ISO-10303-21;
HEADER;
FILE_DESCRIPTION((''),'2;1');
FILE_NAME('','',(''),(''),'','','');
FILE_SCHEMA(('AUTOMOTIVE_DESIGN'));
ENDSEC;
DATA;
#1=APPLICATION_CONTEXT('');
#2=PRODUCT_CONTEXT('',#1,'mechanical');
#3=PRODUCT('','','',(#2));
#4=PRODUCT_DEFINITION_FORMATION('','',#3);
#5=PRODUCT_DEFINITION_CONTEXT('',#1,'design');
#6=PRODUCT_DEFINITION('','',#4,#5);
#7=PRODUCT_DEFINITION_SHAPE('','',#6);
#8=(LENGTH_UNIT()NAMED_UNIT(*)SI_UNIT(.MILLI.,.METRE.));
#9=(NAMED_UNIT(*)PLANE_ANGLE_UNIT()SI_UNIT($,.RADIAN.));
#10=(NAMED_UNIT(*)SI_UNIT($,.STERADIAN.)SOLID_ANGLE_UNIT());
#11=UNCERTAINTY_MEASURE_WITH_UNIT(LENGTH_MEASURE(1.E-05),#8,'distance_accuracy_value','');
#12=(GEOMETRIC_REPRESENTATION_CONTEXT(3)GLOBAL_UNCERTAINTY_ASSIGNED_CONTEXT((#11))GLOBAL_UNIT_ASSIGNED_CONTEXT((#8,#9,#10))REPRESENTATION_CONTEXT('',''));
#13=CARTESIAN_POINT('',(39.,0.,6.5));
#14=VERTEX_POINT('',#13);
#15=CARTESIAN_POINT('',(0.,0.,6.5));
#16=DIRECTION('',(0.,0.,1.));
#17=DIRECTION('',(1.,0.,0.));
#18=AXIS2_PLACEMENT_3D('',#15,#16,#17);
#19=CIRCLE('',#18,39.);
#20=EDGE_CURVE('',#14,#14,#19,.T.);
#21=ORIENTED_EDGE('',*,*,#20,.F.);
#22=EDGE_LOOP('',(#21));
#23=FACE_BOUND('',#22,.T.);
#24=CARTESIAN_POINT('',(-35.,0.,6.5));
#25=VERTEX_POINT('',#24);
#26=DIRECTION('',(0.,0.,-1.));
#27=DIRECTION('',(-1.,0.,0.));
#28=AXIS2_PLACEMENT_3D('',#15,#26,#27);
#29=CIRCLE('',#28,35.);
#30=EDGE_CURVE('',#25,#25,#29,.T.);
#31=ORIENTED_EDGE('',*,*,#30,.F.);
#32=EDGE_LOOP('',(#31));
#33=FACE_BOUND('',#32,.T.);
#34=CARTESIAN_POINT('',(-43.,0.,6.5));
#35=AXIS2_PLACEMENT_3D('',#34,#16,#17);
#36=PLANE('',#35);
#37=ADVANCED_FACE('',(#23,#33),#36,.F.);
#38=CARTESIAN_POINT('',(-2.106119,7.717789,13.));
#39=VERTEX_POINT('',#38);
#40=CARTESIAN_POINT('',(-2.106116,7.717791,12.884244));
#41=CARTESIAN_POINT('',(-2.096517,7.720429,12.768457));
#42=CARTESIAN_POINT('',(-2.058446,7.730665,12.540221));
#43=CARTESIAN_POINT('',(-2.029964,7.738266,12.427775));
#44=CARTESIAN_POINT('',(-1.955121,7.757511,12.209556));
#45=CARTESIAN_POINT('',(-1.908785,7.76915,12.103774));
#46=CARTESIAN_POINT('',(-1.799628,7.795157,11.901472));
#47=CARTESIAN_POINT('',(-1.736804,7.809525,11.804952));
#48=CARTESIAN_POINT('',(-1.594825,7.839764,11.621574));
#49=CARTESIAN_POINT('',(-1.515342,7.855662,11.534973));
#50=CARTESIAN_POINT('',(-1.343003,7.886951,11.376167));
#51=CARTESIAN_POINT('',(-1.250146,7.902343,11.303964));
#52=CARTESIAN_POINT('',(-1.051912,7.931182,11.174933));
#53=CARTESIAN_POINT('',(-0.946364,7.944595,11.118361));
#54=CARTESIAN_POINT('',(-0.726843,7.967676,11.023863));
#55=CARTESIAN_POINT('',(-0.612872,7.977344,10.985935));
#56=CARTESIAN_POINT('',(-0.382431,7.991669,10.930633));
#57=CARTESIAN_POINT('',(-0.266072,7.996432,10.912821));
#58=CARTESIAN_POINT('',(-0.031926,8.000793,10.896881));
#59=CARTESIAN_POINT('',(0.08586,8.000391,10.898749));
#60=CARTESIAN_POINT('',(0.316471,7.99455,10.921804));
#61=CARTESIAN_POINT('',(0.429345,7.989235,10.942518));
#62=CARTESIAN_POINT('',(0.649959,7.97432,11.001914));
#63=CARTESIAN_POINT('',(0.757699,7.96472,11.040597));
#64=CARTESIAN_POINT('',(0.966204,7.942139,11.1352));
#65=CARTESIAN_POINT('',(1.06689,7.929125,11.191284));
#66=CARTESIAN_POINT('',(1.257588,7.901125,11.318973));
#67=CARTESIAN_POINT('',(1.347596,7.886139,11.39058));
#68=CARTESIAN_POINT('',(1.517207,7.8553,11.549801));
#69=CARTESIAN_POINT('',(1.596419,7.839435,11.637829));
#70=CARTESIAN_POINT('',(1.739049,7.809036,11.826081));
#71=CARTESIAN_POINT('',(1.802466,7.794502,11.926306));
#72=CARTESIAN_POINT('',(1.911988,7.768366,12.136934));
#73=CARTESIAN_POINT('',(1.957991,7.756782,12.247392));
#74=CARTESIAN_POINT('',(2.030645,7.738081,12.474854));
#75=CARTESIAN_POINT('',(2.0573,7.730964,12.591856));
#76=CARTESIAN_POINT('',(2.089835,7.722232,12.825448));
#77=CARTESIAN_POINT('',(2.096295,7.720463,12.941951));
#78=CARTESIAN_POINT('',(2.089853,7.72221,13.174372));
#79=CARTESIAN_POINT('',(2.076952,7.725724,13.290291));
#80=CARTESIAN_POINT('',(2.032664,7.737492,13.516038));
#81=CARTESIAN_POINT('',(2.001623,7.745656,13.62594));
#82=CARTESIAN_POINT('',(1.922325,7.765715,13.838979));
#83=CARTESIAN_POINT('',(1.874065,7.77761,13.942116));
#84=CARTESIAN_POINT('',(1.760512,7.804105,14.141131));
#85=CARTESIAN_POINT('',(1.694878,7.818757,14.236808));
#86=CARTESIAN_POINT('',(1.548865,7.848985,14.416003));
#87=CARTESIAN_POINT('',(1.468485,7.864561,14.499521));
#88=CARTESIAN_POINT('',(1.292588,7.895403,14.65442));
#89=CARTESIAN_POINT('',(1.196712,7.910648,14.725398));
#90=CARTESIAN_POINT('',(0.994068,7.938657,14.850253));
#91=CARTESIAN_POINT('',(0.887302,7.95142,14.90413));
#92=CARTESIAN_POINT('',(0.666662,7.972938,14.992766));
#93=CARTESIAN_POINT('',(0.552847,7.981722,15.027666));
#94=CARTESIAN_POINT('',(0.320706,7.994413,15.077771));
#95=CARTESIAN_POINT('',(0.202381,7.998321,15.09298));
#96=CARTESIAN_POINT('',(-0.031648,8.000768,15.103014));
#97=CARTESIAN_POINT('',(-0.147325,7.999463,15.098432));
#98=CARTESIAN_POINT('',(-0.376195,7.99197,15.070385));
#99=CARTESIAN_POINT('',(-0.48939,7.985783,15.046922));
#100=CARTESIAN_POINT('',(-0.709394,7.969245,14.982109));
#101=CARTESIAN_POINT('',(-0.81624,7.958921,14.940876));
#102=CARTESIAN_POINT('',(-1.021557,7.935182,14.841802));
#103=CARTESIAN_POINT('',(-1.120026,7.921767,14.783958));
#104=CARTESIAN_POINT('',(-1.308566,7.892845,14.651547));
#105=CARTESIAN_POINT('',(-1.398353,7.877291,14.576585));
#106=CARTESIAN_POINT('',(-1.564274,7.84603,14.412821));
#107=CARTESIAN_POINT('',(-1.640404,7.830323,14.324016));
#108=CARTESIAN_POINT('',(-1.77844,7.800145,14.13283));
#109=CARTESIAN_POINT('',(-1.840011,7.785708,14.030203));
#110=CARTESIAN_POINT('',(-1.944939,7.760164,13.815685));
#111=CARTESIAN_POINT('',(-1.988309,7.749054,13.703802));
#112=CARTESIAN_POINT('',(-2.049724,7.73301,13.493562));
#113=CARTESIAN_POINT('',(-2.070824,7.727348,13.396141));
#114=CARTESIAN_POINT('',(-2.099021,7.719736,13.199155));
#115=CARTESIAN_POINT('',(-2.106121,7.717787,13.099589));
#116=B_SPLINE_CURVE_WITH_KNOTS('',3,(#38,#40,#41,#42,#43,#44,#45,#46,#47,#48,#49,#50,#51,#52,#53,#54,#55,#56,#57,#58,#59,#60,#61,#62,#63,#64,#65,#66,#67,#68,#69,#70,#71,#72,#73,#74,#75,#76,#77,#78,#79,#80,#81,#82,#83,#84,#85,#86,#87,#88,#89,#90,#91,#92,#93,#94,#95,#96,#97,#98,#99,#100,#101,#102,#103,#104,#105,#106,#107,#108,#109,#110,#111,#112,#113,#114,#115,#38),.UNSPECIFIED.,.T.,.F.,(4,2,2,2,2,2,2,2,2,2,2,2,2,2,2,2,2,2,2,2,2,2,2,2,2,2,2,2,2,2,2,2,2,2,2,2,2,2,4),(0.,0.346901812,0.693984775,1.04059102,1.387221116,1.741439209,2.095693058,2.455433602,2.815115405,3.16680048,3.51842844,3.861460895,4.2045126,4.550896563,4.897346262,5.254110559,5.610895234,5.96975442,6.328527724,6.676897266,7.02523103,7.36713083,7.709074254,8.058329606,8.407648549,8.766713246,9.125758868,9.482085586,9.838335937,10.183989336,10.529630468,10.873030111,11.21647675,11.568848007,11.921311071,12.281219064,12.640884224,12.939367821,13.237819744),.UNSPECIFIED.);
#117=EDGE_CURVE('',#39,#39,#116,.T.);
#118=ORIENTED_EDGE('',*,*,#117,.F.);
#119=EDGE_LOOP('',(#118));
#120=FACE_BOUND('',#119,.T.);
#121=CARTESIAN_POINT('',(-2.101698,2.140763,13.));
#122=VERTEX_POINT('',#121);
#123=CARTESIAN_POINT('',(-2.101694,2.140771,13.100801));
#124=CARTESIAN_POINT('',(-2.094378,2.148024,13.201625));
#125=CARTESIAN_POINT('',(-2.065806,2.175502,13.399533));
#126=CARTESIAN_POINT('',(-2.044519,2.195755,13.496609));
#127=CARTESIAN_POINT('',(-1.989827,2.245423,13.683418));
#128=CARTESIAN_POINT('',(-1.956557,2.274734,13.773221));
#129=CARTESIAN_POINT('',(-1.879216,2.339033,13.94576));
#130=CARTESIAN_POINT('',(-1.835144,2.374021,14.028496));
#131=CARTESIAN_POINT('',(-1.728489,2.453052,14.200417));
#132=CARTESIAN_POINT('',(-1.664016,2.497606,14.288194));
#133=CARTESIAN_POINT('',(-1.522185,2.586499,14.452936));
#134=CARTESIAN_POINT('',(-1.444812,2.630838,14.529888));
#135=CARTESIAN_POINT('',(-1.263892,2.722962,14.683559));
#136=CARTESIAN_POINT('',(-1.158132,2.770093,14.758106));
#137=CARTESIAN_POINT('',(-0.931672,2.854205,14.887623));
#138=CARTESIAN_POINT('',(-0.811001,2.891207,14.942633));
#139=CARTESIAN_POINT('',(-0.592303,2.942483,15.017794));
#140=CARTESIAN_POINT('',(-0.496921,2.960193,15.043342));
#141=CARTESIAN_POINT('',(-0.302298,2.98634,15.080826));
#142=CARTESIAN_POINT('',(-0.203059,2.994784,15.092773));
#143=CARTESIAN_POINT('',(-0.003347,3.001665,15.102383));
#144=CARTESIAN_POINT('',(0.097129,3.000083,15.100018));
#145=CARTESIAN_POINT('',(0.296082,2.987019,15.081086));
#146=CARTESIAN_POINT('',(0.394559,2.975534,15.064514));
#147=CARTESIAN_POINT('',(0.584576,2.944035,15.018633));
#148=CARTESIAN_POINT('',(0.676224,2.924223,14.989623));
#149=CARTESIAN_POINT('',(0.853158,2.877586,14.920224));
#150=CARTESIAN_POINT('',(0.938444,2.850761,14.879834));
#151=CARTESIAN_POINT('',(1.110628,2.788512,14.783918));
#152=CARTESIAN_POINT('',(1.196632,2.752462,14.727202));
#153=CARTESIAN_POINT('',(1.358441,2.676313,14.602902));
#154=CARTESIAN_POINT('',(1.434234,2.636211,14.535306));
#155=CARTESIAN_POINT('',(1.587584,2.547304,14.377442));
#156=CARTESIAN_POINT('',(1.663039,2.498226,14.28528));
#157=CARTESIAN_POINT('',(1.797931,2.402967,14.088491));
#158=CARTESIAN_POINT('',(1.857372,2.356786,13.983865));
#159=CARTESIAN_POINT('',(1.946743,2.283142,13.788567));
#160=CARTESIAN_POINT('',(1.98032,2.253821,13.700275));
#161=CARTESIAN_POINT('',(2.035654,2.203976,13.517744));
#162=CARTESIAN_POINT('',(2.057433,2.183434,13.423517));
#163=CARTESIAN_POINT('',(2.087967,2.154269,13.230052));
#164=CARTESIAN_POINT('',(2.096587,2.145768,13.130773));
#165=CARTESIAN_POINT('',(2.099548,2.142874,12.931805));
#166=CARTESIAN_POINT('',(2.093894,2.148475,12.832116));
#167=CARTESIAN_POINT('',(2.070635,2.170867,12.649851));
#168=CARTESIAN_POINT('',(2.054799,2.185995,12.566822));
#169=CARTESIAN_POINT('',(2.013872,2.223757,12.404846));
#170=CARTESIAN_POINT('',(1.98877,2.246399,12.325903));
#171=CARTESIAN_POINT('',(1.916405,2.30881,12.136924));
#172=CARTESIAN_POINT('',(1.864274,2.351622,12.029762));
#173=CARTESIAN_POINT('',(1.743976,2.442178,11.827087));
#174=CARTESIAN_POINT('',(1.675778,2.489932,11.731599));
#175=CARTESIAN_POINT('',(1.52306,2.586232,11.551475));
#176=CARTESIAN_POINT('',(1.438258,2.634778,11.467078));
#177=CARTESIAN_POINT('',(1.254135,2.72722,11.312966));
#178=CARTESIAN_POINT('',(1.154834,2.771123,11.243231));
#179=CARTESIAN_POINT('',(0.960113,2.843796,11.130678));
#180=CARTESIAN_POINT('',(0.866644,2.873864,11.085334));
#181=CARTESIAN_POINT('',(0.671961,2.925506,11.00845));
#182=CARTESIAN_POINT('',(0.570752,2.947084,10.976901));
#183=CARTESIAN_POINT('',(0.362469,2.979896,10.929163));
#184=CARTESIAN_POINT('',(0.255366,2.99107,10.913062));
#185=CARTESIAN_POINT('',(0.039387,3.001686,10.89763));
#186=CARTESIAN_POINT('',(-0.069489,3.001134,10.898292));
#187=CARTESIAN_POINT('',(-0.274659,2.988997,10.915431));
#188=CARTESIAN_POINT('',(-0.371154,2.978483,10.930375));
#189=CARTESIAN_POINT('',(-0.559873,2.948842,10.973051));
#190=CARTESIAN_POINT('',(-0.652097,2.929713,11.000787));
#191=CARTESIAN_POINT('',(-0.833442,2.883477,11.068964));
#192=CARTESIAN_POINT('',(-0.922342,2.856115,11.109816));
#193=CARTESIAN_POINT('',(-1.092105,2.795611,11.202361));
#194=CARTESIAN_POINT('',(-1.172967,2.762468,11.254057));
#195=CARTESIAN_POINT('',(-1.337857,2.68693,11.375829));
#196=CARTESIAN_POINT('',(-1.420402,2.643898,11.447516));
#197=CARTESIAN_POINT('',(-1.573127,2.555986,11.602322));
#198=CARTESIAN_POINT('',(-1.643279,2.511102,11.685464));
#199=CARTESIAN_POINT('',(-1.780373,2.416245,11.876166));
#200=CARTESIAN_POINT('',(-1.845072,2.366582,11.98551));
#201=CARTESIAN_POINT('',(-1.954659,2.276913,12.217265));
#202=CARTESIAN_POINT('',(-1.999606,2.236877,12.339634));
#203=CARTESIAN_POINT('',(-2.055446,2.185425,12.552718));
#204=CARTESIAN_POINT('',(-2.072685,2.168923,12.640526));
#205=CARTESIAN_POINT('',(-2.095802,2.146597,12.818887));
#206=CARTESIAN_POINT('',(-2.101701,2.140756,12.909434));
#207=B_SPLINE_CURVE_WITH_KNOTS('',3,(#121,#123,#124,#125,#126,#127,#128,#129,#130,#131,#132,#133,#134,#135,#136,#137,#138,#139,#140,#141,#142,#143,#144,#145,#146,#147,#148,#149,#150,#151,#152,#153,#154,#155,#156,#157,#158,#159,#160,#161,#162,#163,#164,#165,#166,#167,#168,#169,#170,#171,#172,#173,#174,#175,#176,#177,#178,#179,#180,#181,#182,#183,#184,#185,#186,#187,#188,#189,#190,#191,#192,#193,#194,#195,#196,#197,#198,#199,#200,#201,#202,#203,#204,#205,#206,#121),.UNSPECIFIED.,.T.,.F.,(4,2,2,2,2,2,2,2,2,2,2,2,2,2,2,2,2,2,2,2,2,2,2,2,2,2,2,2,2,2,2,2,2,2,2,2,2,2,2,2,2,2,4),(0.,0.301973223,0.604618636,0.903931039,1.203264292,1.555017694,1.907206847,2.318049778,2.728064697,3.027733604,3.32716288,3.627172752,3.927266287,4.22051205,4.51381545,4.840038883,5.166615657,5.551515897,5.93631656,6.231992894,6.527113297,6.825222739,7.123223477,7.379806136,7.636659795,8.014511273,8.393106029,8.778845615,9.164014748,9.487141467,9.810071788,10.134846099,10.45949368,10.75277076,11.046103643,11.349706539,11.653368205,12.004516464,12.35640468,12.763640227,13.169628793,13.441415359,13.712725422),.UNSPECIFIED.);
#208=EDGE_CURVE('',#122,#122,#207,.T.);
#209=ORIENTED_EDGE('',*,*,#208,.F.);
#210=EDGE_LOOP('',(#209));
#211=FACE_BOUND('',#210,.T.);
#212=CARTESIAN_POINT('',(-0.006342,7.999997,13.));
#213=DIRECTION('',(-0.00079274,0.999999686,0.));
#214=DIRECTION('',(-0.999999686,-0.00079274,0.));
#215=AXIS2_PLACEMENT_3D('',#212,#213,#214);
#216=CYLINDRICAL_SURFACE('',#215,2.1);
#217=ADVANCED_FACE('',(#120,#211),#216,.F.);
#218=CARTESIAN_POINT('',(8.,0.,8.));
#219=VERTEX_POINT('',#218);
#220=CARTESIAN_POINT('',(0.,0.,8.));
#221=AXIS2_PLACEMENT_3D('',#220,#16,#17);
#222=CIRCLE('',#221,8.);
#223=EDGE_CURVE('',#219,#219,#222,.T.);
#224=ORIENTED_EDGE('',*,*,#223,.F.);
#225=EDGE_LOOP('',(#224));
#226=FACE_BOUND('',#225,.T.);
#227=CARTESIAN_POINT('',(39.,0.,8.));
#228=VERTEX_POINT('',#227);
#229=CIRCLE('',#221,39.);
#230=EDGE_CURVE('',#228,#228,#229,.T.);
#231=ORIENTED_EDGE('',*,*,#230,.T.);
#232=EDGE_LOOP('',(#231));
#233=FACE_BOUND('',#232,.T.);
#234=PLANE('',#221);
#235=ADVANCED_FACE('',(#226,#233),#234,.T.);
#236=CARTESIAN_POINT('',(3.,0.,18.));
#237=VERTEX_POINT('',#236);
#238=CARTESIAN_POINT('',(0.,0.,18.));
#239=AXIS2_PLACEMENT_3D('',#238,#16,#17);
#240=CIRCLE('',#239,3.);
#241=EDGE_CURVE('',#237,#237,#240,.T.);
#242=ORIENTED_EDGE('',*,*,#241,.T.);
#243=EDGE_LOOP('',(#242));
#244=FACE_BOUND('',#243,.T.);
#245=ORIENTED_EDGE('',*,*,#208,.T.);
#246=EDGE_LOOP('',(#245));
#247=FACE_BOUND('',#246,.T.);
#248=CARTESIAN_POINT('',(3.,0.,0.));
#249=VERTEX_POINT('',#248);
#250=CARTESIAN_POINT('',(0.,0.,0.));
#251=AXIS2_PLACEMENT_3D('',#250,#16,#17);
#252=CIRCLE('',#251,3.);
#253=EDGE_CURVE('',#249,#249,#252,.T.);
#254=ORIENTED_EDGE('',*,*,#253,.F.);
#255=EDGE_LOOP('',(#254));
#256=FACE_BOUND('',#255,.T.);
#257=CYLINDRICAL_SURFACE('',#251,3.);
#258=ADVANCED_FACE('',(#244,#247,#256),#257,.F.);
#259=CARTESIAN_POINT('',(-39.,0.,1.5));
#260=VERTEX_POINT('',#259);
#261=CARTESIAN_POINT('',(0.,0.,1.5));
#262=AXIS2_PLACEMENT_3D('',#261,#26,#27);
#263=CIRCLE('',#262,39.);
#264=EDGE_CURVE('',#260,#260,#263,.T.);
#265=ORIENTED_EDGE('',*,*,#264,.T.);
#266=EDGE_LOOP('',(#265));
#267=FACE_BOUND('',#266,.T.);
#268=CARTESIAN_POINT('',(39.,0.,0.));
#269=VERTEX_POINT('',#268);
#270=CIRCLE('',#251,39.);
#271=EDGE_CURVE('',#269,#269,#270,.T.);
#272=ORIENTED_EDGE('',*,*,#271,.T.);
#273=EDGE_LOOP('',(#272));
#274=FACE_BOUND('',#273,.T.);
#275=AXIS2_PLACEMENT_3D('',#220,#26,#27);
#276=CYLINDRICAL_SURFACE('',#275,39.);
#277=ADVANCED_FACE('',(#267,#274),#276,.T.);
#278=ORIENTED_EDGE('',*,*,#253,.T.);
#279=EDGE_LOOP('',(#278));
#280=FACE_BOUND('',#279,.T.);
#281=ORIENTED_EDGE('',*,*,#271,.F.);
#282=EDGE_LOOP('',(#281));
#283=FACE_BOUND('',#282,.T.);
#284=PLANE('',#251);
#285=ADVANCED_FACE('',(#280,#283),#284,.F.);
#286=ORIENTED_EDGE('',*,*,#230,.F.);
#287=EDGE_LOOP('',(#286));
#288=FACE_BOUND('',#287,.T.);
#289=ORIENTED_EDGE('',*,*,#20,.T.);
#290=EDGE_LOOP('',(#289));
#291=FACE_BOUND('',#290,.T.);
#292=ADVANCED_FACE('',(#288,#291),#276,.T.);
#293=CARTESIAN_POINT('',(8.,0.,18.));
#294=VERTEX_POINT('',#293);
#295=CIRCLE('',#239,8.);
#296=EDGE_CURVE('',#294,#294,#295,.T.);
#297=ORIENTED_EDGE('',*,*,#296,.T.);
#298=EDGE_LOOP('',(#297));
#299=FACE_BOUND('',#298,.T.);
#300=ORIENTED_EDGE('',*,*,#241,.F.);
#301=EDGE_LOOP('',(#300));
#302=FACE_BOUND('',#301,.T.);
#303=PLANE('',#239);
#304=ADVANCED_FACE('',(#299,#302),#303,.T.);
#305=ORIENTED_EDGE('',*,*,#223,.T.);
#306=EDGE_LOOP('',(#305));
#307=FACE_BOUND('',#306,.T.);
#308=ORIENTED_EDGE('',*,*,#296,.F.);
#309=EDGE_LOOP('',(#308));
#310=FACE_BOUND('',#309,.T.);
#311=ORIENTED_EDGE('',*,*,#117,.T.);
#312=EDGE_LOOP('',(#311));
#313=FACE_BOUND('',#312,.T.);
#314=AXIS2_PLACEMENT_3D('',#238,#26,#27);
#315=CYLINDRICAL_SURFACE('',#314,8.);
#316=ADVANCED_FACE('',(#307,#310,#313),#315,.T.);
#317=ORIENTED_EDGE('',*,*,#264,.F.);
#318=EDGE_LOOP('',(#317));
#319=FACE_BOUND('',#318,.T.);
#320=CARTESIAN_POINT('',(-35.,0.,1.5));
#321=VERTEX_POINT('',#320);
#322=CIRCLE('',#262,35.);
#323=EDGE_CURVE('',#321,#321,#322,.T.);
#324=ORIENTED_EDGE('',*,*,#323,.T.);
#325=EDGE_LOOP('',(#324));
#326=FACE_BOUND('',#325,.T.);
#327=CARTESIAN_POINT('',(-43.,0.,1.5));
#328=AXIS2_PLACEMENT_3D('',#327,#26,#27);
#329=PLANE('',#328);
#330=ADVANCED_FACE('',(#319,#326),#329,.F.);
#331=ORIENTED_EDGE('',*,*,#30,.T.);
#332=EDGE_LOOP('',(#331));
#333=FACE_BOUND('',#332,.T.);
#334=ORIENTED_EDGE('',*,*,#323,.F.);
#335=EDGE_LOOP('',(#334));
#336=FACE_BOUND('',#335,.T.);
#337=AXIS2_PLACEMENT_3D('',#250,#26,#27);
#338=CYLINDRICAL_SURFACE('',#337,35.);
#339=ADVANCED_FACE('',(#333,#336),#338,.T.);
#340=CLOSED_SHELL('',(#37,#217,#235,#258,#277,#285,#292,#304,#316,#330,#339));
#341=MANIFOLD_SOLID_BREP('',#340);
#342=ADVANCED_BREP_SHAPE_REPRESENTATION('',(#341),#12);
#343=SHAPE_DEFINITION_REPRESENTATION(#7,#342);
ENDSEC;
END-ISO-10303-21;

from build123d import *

# Parameters (mm, degrees)
SKETCH1_R              = 39
BOSS_EXTRUDE1_DEPTH    = 8
SKETCH2_R              = 8
BOSS_EXTRUDE2_DEPTH    = 10
SKETCH3_R              = 3
CUT_EXTRUDE1_DEPTH     = 59.017238817
M5_TAPPED_HOLE1_REACH  = 64.446
M5_TAPPED_HOLE1_BORE_R = 2.1
SKETCH5_W              = 8
SKETCH5_H              = 5


with BuildPart() as part:
    # Sketch1 → Boss-Extrude1 (new body)
    with BuildSketch(Plane.XY):
        Circle(SKETCH1_R)
    extrude(amount=BOSS_EXTRUDE1_DEPTH)

    # Sketch2 → Boss-Extrude2 (add)
    with BuildSketch(Plane.XY.offset(8)):
        Circle(SKETCH2_R)
    extrude(amount=BOSS_EXTRUDE2_DEPTH)

    # Sketch3 → Cut-Extrude1 (cut, through all)
    with BuildSketch(Plane.XY.offset(18)):
        Circle(SKETCH3_R)
    extrude(amount=-CUT_EXTRUDE1_DEPTH, mode=Mode.SUBTRACT)

    # M5 Tapped Hole1 bore (on position points) → M5 Tapped Hole1 (cut, up to next)
    with BuildSketch(Plane(origin=(-0.006341918, 7.999997486, 13), x_dir=(0.999999685782, 0.000792739743, 0), z_dir=(-0.000792739743, 0.999999685782, 0)), mode=Mode.PRIVATE) as m5_tapped_hole1_sk1:
        Circle(M5_TAPPED_HOLE1_BORE_R)
    m5_tapped_hole1_tool1 = extrude(m5_tapped_hole1_sk1.sketch, amount=-M5_TAPPED_HOLE1_REACH, mode=Mode.PRIVATE) & part.part
    add(m5_tapped_hole1_tool1.solids().sort_by_distance((-0.006342, 7.999997, 13))[0], mode=Mode.SUBTRACT)

    # Sketch5 → Cut-Revolve1 (revolve, cut)
    with BuildSketch(Plane(origin=(0, 0, 0), x_dir=(1, 0, 0), z_dir=(0, 1, 0))):
        with Locations((-39, -4)):
            Rectangle(SKETCH5_W, SKETCH5_H)
    revolve(axis=Axis((0, 0, 0), (0, 0, 1)), mode=Mode.SUBTRACT)


solid = part.part
